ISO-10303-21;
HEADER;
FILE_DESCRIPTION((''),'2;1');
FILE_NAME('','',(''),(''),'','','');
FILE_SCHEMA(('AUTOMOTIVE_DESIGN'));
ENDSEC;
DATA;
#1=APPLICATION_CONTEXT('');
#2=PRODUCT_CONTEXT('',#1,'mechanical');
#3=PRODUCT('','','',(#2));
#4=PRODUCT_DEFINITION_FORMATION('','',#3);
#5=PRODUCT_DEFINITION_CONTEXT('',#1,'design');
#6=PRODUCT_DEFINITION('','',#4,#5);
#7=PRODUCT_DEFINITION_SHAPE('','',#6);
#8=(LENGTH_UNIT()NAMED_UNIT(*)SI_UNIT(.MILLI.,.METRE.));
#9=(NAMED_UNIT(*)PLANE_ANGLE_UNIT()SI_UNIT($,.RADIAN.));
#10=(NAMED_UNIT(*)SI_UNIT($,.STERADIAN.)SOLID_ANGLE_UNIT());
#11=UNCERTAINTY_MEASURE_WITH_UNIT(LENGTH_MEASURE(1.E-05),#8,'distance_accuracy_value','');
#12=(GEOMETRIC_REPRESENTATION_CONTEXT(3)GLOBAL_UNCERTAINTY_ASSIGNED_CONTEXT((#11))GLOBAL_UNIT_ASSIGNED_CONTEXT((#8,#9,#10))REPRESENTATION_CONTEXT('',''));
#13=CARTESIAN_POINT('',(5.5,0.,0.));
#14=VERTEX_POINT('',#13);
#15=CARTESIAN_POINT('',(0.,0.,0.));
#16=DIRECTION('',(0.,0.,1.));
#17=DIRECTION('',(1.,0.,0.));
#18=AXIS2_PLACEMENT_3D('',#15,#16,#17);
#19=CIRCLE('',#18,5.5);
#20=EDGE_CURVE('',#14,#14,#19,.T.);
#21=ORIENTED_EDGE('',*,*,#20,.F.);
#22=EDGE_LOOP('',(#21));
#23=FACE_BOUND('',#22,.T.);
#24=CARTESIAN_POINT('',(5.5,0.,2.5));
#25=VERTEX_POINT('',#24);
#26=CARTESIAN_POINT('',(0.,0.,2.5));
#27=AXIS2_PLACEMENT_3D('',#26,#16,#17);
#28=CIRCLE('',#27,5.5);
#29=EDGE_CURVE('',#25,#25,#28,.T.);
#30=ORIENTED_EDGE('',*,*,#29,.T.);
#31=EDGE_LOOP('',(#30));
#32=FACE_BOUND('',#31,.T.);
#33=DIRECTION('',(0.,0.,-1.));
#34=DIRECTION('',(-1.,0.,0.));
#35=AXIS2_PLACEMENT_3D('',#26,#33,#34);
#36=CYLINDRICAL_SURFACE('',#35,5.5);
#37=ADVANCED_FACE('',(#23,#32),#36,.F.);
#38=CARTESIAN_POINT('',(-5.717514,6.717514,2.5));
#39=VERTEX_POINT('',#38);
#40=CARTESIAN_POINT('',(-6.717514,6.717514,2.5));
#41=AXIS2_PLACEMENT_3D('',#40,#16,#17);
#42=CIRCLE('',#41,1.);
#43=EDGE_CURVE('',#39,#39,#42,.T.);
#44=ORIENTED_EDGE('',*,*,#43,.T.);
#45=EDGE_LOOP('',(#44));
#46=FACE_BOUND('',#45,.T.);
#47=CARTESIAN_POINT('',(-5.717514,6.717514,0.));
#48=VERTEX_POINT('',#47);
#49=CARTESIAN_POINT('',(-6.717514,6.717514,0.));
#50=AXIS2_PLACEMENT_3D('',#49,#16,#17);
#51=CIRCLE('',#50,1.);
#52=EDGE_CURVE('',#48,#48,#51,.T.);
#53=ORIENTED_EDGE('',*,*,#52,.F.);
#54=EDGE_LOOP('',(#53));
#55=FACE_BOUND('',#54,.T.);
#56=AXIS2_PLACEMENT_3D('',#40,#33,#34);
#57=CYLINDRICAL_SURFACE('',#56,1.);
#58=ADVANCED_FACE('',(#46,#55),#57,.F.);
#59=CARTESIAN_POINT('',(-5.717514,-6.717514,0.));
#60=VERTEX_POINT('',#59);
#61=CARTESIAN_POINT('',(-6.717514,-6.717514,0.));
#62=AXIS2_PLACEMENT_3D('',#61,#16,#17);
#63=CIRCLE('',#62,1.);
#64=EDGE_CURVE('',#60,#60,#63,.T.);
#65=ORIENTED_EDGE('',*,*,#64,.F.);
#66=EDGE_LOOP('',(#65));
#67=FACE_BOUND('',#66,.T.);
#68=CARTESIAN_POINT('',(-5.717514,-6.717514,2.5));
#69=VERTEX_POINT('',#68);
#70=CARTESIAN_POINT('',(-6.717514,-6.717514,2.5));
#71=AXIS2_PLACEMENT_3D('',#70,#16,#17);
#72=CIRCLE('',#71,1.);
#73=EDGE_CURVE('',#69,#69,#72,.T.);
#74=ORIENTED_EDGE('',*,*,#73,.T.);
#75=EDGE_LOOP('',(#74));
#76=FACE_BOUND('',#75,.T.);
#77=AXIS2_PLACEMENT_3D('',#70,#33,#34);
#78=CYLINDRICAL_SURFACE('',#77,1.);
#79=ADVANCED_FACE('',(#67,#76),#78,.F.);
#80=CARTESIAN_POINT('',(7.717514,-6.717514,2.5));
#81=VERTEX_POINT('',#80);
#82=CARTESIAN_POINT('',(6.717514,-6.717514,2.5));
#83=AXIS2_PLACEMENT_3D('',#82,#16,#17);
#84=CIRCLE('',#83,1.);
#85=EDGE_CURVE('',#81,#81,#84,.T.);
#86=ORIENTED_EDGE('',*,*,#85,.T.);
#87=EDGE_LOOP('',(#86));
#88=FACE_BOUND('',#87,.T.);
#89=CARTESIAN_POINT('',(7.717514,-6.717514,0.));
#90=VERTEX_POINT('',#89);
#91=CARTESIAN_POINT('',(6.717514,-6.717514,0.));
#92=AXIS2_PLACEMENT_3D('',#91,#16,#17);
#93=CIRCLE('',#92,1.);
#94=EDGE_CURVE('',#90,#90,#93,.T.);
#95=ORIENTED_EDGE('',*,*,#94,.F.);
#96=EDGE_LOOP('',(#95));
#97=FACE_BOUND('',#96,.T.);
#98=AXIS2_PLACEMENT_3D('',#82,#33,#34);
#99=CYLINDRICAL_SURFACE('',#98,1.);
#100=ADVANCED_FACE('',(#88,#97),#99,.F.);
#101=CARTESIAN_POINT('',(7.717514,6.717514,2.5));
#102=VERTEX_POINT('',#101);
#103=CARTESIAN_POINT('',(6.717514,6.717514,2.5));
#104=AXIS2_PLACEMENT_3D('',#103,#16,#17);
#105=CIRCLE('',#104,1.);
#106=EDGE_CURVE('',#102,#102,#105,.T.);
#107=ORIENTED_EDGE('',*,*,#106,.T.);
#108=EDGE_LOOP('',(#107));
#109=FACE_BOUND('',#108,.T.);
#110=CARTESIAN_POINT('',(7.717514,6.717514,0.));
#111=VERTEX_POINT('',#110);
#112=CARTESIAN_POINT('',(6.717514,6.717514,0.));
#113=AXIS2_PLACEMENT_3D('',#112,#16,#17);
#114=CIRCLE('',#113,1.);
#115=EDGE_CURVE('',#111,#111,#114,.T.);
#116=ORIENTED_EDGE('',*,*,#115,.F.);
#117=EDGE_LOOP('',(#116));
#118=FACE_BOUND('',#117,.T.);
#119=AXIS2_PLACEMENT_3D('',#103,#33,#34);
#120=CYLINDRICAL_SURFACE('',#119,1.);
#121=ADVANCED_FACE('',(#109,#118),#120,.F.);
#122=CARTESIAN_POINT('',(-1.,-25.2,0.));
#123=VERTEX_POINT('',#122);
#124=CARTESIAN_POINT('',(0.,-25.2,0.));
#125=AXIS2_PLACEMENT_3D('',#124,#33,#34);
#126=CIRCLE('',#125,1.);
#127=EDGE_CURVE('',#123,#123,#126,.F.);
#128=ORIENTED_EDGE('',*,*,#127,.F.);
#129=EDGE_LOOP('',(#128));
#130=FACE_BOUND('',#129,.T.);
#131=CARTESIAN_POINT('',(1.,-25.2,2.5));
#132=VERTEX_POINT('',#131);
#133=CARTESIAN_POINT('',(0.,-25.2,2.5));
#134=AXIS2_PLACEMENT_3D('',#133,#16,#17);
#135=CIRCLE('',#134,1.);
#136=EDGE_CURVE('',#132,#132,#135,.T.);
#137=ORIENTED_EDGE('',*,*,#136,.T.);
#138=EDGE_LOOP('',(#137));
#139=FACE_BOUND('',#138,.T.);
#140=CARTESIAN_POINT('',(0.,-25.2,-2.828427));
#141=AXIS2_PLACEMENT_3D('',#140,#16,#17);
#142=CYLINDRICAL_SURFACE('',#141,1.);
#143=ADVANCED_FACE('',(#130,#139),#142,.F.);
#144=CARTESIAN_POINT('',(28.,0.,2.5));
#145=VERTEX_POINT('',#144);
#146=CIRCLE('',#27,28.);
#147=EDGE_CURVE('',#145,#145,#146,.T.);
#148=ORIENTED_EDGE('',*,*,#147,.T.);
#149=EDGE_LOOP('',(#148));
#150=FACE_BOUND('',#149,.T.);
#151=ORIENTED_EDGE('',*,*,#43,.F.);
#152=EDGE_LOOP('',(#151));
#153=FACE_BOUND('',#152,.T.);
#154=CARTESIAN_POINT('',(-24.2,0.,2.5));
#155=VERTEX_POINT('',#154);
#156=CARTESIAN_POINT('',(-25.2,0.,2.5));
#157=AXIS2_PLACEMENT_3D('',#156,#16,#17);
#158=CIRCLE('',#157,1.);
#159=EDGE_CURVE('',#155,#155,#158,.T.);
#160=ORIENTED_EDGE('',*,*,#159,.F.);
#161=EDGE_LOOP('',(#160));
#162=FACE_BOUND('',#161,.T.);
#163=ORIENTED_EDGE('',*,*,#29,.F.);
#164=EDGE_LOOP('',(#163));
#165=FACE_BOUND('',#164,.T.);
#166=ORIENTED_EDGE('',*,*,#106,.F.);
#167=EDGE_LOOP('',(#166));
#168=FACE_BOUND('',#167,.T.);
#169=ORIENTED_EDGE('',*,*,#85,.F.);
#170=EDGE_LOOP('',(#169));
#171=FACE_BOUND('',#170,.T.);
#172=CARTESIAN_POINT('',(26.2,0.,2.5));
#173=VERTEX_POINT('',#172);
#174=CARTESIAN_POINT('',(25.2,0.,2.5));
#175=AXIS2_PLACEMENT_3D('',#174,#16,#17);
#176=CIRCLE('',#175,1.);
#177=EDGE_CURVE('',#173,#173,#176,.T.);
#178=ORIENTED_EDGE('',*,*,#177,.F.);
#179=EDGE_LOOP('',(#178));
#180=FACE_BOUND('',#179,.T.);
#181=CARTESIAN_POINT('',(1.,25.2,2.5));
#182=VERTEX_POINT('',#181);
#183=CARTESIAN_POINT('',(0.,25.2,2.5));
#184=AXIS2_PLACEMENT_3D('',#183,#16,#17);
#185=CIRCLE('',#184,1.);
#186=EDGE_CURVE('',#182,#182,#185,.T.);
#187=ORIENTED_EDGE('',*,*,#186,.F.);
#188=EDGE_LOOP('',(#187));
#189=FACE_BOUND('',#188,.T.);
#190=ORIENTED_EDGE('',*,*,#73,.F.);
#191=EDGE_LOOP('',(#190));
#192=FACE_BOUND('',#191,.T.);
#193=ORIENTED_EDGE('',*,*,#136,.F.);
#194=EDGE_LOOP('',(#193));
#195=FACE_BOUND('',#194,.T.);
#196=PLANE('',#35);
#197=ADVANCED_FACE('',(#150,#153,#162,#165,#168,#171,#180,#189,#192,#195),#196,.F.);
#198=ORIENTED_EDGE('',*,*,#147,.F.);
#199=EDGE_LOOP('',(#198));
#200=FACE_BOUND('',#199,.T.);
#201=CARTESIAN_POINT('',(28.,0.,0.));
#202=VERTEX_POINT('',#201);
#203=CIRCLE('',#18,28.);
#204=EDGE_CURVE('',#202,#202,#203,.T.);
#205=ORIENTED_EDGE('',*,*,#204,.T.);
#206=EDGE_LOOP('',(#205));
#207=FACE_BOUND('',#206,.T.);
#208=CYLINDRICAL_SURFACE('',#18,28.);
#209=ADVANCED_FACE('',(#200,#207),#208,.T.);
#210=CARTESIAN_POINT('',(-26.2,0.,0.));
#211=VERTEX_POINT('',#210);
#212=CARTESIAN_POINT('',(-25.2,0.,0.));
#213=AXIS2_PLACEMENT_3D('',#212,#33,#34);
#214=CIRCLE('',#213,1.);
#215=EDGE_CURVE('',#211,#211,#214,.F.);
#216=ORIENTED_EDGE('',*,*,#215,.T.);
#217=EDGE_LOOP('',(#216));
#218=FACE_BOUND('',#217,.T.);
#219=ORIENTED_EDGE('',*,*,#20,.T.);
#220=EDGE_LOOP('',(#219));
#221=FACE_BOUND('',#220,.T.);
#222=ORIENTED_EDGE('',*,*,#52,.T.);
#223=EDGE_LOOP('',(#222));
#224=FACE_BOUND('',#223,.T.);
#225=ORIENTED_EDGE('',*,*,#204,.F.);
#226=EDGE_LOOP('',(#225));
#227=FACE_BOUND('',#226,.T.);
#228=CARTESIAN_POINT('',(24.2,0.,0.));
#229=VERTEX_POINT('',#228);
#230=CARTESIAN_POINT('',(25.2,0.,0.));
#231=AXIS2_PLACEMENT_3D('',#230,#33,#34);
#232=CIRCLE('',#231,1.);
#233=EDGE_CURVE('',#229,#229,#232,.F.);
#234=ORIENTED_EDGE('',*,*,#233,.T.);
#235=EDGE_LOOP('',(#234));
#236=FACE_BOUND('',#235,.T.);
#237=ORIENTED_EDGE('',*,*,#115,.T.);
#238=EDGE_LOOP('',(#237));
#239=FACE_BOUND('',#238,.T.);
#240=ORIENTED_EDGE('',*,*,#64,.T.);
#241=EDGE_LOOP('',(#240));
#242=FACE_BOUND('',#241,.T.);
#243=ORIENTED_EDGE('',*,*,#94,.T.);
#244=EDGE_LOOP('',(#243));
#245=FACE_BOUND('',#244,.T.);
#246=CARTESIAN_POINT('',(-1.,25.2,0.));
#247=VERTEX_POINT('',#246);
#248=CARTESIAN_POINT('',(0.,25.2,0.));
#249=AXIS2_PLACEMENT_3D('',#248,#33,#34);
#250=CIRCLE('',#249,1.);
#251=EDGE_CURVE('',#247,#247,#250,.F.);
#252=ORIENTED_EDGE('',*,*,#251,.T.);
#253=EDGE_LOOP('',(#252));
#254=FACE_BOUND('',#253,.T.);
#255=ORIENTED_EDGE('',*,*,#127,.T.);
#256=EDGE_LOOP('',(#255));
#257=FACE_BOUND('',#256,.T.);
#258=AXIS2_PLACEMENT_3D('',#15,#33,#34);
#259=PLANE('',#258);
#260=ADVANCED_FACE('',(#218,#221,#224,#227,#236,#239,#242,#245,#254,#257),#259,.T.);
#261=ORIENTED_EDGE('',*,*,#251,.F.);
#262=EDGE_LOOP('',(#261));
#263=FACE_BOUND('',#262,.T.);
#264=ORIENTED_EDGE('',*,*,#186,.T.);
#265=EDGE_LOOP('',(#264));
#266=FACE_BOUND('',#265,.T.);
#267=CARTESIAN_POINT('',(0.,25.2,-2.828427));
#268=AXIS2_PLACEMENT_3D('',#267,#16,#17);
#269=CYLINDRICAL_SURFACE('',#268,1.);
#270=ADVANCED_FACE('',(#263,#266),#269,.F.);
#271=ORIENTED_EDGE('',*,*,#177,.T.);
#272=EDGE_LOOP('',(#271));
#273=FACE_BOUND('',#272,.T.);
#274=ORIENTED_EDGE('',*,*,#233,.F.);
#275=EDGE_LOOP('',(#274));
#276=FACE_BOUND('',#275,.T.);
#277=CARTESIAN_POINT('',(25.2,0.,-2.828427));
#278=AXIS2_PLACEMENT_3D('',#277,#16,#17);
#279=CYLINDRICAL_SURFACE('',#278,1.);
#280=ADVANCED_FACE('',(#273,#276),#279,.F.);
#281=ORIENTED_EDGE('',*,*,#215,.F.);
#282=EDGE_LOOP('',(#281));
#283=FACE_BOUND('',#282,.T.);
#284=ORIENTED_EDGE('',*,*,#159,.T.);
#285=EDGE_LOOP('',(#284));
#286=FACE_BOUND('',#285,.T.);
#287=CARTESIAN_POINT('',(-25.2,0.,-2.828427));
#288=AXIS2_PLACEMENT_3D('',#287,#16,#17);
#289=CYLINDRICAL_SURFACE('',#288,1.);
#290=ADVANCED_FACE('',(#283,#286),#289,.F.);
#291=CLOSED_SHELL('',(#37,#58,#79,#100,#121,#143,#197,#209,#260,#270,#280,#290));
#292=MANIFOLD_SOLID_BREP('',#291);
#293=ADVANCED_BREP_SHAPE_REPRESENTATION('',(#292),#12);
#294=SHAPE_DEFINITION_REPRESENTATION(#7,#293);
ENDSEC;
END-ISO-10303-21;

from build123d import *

# Parameters (mm, degrees)
CROQUIS1_W              = 65
CROQUIS1_H              = 65
CROQUIS1_R              = 5.5
CROQUIS1_R_2            = 1
SALIENTE_EXTRUIR1_DEPTH = 2.5
REDONDEO1_R             = 15
CROQUIS5_R              = 47.665857464
CROQUIS5_R_2            = 28
CORTAR_EXTRUIR3_DEPTH   = 2.5
CROQUIS7_R              = 1
CORTAR_EXTRUIR4_DEPTH   = 2.5


with BuildPart() as part:
    # Croquis1 → Saliente-Extruir1 (new body)
    with BuildSketch(Plane.XY):
        Rectangle(CROQUIS1_W, CROQUIS1_H)
        Circle(CROQUIS1_R, mode=Mode.SUBTRACT)
        with Locations((-6.717514421, 6.717514421)):
            Circle(CROQUIS1_R_2, mode=Mode.SUBTRACT)
        with Locations((6.717514421, 6.717514421)):
            Circle(CROQUIS1_R_2, mode=Mode.SUBTRACT)
        with Locations((6.717514421, -6.717514421)):
            Circle(CROQUIS1_R_2, mode=Mode.SUBTRACT)
        with Locations((-6.717514421, -6.717514421)):
            Circle(CROQUIS1_R_2, mode=Mode.SUBTRACT)
    extrude(amount=SALIENTE_EXTRUIR1_DEPTH)

    # Redondeo1
    redondeo1_edges = [part.edges().sort_by_distance(p)[0] for p in [
        (32.5, -32.5, 1.25),
        (-32.5, -32.5, 1.25),
        (-32.5, 32.5, 1.25),
        (32.5, 32.5, 1.25),
    ]]
    fillet(redondeo1_edges, radius=REDONDEO1_R)

    # Croquis5 → Cortar-Extruir3 (cut)
    with BuildSketch(Plane.XY.offset(2.5)):
        Circle(CROQUIS5_R)
        Circle(CROQUIS5_R_2, mode=Mode.SUBTRACT)
    extrude(amount=-CORTAR_EXTRUIR3_DEPTH, mode=Mode.SUBTRACT)

    # Croquis7 → Cortar-Extruir4 (cut)
    with BuildSketch(Plane.XY.offset(2.5)):
        with Locations((0, 25.2)):
            Circle(CROQUIS7_R)
        with Locations((25.2, 0)):
            Circle(CROQUIS7_R)
        with Locations((0, -25.2)):
            Circle(CROQUIS7_R)
        with Locations((-25.2, 0)):
            Circle(CROQUIS7_R)
    extrude(amount=-CORTAR_EXTRUIR4_DEPTH, mode=Mode.SUBTRACT)


solid = part.part
